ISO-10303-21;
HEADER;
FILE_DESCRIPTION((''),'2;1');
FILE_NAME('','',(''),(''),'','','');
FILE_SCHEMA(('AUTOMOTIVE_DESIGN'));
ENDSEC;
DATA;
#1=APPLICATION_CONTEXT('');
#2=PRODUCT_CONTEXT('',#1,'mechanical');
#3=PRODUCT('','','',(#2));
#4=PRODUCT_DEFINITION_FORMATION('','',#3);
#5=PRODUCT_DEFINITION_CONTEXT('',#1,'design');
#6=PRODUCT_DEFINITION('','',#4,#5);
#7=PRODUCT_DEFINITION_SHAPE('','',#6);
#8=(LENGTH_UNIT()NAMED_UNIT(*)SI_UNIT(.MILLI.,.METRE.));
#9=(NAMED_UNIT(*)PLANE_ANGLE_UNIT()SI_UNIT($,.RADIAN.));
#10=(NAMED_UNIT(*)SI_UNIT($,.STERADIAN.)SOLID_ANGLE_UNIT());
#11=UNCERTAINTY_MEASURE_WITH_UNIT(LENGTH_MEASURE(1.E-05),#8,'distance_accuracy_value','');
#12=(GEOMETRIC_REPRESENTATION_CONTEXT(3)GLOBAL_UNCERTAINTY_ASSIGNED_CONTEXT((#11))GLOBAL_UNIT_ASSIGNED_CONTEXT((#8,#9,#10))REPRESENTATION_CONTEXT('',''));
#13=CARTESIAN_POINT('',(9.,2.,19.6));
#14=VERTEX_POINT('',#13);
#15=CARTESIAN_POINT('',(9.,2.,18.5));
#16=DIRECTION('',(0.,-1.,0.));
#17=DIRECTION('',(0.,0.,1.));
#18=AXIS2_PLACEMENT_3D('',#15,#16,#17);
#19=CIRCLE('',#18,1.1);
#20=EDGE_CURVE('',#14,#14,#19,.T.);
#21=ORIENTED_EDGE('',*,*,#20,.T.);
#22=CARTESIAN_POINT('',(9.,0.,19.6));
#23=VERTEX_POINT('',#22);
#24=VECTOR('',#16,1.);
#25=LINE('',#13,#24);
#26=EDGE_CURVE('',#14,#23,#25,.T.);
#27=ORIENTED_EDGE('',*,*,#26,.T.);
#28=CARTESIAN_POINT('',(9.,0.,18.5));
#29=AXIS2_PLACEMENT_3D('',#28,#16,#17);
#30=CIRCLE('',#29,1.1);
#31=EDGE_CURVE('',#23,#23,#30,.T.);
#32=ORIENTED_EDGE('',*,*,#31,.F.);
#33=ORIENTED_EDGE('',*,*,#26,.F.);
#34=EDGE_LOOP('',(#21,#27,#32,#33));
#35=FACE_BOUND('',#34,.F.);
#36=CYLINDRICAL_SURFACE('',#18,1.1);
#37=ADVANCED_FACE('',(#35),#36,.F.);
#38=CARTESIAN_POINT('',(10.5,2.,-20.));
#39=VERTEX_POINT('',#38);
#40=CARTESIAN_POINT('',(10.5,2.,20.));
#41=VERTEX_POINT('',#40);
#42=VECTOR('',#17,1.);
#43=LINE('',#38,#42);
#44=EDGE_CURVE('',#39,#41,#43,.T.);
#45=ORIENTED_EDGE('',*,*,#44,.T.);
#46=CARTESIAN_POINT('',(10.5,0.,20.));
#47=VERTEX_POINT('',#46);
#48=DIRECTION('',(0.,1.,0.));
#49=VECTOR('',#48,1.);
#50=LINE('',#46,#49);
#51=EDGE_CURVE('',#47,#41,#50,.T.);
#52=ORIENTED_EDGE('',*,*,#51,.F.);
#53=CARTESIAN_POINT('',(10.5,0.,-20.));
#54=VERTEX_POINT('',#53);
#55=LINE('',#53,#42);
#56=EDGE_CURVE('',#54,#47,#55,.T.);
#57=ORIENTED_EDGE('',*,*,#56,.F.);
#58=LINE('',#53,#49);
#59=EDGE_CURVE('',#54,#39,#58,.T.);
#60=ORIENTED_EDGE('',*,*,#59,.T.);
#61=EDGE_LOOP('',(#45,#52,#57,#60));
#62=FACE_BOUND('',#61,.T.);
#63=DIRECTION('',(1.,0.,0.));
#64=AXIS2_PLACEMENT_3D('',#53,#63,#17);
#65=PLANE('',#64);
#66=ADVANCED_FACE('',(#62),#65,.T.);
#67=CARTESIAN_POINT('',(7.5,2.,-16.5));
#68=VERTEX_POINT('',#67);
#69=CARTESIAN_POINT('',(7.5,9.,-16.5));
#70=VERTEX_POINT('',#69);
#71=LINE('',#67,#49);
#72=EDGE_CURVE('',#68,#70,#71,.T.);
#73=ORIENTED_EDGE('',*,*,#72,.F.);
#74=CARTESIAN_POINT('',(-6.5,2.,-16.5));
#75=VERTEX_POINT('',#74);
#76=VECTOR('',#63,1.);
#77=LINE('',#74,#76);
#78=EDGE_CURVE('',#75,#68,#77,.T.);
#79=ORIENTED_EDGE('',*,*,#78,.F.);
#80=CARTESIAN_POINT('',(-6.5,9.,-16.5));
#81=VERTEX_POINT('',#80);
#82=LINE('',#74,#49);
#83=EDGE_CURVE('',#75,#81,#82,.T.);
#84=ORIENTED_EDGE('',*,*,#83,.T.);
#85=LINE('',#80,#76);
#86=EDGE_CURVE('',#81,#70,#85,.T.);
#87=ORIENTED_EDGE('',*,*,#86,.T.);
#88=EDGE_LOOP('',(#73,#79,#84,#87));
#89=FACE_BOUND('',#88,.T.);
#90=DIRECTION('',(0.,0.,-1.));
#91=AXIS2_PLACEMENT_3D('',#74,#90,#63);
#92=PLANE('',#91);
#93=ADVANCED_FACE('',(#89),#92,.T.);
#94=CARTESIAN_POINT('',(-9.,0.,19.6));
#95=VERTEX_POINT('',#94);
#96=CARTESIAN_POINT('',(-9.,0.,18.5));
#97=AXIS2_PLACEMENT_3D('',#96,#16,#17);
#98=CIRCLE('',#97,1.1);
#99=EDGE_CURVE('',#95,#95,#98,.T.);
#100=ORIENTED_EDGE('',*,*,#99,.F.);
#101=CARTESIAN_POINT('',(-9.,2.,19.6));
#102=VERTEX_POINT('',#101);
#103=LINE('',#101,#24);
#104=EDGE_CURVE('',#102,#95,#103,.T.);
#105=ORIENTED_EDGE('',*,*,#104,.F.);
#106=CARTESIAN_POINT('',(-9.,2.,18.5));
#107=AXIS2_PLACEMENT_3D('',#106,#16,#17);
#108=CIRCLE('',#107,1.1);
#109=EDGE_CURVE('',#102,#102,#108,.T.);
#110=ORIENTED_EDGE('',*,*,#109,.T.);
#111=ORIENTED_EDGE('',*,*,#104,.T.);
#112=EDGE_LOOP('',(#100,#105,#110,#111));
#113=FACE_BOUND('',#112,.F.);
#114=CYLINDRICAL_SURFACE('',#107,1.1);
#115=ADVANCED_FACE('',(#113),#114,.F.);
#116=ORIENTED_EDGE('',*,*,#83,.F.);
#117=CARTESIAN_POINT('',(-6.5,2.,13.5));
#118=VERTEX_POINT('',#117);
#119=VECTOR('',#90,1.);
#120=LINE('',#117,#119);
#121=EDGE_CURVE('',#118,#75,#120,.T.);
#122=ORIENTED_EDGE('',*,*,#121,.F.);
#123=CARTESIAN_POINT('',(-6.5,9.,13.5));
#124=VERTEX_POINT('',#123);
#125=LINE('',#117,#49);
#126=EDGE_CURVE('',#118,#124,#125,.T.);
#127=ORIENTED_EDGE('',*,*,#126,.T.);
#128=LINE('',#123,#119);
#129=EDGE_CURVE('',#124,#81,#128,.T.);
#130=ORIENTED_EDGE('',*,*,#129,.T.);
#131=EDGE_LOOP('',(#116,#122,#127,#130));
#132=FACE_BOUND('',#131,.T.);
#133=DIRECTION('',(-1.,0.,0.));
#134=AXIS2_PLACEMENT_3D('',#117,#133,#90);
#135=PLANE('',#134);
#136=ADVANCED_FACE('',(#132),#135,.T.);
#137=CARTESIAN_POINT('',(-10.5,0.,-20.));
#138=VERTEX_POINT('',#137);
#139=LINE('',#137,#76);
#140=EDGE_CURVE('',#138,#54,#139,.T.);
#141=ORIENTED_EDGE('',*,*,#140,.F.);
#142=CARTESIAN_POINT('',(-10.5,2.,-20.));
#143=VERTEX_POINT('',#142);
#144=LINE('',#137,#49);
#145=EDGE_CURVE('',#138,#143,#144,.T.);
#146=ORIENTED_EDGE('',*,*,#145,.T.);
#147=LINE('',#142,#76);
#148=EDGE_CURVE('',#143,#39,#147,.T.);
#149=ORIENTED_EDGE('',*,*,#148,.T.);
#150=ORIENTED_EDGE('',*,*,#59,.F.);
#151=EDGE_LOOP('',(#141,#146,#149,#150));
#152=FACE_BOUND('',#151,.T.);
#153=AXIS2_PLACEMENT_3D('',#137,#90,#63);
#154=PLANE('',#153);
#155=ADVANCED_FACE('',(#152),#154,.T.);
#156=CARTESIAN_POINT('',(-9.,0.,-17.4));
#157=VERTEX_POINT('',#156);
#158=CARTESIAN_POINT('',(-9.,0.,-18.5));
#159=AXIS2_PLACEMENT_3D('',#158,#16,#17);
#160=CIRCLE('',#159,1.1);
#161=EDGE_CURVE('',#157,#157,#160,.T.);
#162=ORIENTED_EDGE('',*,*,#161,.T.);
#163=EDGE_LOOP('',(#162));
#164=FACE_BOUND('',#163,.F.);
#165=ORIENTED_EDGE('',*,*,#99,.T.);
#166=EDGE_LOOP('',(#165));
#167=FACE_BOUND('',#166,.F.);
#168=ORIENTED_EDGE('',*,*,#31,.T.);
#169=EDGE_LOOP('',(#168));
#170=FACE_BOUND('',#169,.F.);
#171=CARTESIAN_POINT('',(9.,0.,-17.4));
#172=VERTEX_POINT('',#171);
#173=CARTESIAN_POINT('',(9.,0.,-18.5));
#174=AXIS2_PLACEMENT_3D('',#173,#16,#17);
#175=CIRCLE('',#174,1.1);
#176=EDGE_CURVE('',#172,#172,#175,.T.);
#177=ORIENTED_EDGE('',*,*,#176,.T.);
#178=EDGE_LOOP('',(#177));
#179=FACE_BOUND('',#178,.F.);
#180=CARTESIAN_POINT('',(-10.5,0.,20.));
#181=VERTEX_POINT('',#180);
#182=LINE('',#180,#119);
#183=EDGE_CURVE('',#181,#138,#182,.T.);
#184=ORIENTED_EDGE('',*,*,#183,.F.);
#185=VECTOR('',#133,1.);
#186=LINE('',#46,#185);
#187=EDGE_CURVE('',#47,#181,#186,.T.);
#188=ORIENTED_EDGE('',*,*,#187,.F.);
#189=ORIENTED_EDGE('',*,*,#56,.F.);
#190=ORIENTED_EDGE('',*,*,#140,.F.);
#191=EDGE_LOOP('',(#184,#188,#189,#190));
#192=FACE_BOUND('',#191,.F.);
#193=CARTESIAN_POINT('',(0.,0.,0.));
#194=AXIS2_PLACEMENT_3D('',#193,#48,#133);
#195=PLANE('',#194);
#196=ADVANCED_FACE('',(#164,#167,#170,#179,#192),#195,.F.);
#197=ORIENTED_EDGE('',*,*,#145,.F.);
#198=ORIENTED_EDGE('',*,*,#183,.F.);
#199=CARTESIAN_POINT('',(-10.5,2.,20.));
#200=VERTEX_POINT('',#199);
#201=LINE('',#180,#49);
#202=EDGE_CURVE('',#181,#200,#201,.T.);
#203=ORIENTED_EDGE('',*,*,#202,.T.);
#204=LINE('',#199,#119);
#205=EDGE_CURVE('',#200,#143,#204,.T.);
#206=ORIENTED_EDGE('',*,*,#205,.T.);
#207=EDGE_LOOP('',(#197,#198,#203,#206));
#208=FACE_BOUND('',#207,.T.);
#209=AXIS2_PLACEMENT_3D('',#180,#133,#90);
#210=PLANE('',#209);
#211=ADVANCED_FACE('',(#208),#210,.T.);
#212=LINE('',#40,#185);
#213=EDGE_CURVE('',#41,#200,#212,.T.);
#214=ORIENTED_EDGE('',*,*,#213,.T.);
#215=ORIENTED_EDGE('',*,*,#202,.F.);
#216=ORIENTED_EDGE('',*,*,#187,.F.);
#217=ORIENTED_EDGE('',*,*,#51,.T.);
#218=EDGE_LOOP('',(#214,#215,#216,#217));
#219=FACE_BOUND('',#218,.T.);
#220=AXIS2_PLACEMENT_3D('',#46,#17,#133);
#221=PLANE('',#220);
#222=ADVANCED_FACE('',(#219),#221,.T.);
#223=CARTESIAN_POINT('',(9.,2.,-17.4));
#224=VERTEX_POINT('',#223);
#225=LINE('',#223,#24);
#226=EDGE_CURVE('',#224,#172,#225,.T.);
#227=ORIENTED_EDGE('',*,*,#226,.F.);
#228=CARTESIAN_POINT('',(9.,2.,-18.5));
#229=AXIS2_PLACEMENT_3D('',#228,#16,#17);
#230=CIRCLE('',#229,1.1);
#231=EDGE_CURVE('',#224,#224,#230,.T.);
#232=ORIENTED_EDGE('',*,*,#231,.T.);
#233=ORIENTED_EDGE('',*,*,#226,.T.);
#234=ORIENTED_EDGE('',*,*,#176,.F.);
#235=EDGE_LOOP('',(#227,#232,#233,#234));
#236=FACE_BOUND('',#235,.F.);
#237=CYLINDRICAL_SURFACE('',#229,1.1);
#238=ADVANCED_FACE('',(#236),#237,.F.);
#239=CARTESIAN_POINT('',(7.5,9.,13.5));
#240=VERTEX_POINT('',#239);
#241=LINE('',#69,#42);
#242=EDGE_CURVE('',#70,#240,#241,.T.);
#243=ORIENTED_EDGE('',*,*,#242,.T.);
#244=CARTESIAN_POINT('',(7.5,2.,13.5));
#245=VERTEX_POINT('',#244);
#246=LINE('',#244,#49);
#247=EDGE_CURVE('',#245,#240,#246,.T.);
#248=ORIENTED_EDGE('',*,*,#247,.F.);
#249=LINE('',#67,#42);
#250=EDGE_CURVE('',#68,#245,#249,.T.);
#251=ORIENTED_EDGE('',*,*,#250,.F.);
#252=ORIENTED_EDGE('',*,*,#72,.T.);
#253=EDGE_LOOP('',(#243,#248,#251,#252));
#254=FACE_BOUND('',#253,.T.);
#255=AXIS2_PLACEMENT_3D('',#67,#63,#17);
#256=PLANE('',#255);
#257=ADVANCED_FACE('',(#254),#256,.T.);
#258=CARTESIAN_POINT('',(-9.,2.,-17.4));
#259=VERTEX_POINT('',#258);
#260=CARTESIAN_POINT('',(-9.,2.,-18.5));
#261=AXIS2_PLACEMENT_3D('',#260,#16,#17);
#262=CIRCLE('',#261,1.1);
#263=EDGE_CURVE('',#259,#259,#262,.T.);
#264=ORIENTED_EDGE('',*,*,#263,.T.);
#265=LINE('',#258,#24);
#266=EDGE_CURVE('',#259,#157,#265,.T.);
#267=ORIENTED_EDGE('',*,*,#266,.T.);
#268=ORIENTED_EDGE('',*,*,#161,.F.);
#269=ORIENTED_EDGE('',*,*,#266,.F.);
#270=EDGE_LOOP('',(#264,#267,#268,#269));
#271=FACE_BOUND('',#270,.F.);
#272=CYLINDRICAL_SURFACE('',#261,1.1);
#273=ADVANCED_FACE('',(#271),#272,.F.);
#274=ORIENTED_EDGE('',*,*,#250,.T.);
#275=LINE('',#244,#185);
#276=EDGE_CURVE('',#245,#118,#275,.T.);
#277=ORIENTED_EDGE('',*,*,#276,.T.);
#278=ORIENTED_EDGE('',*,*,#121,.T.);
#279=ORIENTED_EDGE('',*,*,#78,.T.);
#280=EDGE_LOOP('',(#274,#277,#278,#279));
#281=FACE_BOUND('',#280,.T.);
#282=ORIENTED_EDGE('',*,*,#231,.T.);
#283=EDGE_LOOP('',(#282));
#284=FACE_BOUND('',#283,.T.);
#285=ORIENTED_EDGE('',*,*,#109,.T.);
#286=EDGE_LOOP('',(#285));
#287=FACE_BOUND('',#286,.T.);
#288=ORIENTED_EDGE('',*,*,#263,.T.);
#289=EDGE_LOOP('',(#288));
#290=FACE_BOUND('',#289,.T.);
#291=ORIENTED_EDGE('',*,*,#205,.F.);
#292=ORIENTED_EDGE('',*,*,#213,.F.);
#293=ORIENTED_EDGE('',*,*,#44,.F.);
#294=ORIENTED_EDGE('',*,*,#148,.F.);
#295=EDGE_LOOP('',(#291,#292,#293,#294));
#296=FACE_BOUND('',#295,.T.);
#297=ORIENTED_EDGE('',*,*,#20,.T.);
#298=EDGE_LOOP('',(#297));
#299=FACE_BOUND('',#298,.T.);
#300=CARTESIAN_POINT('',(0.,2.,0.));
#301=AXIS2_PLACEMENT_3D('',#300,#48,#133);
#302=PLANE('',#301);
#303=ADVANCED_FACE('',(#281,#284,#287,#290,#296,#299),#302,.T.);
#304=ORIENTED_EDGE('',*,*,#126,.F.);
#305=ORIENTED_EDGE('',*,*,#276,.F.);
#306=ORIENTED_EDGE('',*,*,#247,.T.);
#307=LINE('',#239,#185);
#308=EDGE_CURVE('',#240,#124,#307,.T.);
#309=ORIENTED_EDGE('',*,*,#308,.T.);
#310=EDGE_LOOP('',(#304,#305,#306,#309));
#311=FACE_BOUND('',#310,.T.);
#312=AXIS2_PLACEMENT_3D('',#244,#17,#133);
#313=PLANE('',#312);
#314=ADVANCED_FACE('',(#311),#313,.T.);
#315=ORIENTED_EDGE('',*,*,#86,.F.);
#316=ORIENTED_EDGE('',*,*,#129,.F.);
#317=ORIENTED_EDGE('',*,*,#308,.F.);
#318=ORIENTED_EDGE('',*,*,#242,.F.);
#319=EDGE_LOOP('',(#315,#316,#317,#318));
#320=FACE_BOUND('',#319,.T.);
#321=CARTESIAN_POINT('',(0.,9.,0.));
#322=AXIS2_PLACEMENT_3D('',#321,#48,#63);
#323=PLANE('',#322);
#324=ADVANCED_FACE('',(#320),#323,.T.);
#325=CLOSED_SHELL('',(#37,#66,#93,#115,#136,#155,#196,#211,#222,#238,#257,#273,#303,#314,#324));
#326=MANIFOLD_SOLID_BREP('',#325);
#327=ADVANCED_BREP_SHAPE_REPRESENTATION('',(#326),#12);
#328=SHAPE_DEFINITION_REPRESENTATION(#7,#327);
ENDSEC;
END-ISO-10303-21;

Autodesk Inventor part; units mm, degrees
ref_plane "YZ Plane" through (0, 0, 0) normal (1, 0, 0) x (0, 1, 0)
ref_plane "XZ Plane" through (0, 0, 0) normal (0, 1, 0) x (-1, 0, 0)
ref_plane "XY Plane" through (0, 0, 0) normal (0, 0, 1) x (1, 0, 0)
sketch "Sketch1" plane through (0, 0, 0) normal (0, 1, 0) x (-1, 0, 0)
  line L0 (-10.5, 20) -> (10.5, 20)
  line L1 (10.5, 20) -> (10.5, -20)
  line L2 (10.5, -20) -> (-10.5, -20)
  line L3 (-10.5, -20) -> (-10.5, 20)
  line L4 (-10.5, 20) -> (10.5, -20) construction
  line L5 (10.5, 20) -> (-10.5, -20) construction
  point P0 (0, 0)
  dimension "d0" = 40
  dimension "d1" = 21
extrude "Extrusion1" add sketch "Sketch1" along normal blind 2
sketch "Sketch2" plane through (0, 2, 0) normal (0, 1, 0) x (1, 0, 0)
  line L0 (-10.5, 20) -> (-10.5, -20) projected
  line L1 (-10.5, -20) -> (10.5, -20) projected
  line L2 (10.5, -20) -> (10.5, 20) projected
  line L3 (10.5, 20) -> (-10.5, 20) projected
  point P0 (0, 0)
  point P1 (-9, -18.5)
  point P2 (-9, 18.5)
  point P3 (9, 18.5)
  point P4 (9, -18.5)
  dimension "d4" = 1.5
  dimension "d5" = 1.5
  dimension "d6" = 1.5
  dimension "d7" = 1.5
  dimension "d20" = 18
  dimension "d21" = 18
  dimension "d22" = 37
hole "Hole1" at (-9, 2, 18.5) at (-9, 2, -18.5) at (9, 2, -18.5) at (9, 2, 18.5) direction (0, -1, 0) diameter 2.2 end through all
sketch "Sketch3" plane through (0, 2, 0) normal (0, 1, 0) x (1, 0, 0)
  line L0 (7.5, -13.5) -> (-6.5, -13.5)
  line L1 (-6.5, -13.5) -> (-6.5, 16.5)
  line L2 (-6.5, 16.5) -> (7.5, 16.5)
  line L3 (7.5, 16.5) -> (7.5, -13.5)
  line L4 (7.5, -13.5) -> (-6.5, 16.5) construction
  line L5 (-6.5, -13.5) -> (7.5, 16.5) construction
  line L6 (-10.5, -20) -> (10.5, -20) projected
  line L7 (-10.5, 20) -> (-10.5, -20) projected
  line L8 (10.5, 20) -> (-10.5, 20) projected
  point P0 (0, 0)
  point P1 (0.5, 1.5)
  point P2 (0, -20)
  dimension "d15" = 6.5
  dimension "d16" = 30
  dimension "d17" = 14
  dimension "d18" = 4
  dimension "d19" = 3.5
extrude "Extrusion2" add sketch "Sketch3" along normal blind 7
properties part number "7_Seg_Display_TM1637"
